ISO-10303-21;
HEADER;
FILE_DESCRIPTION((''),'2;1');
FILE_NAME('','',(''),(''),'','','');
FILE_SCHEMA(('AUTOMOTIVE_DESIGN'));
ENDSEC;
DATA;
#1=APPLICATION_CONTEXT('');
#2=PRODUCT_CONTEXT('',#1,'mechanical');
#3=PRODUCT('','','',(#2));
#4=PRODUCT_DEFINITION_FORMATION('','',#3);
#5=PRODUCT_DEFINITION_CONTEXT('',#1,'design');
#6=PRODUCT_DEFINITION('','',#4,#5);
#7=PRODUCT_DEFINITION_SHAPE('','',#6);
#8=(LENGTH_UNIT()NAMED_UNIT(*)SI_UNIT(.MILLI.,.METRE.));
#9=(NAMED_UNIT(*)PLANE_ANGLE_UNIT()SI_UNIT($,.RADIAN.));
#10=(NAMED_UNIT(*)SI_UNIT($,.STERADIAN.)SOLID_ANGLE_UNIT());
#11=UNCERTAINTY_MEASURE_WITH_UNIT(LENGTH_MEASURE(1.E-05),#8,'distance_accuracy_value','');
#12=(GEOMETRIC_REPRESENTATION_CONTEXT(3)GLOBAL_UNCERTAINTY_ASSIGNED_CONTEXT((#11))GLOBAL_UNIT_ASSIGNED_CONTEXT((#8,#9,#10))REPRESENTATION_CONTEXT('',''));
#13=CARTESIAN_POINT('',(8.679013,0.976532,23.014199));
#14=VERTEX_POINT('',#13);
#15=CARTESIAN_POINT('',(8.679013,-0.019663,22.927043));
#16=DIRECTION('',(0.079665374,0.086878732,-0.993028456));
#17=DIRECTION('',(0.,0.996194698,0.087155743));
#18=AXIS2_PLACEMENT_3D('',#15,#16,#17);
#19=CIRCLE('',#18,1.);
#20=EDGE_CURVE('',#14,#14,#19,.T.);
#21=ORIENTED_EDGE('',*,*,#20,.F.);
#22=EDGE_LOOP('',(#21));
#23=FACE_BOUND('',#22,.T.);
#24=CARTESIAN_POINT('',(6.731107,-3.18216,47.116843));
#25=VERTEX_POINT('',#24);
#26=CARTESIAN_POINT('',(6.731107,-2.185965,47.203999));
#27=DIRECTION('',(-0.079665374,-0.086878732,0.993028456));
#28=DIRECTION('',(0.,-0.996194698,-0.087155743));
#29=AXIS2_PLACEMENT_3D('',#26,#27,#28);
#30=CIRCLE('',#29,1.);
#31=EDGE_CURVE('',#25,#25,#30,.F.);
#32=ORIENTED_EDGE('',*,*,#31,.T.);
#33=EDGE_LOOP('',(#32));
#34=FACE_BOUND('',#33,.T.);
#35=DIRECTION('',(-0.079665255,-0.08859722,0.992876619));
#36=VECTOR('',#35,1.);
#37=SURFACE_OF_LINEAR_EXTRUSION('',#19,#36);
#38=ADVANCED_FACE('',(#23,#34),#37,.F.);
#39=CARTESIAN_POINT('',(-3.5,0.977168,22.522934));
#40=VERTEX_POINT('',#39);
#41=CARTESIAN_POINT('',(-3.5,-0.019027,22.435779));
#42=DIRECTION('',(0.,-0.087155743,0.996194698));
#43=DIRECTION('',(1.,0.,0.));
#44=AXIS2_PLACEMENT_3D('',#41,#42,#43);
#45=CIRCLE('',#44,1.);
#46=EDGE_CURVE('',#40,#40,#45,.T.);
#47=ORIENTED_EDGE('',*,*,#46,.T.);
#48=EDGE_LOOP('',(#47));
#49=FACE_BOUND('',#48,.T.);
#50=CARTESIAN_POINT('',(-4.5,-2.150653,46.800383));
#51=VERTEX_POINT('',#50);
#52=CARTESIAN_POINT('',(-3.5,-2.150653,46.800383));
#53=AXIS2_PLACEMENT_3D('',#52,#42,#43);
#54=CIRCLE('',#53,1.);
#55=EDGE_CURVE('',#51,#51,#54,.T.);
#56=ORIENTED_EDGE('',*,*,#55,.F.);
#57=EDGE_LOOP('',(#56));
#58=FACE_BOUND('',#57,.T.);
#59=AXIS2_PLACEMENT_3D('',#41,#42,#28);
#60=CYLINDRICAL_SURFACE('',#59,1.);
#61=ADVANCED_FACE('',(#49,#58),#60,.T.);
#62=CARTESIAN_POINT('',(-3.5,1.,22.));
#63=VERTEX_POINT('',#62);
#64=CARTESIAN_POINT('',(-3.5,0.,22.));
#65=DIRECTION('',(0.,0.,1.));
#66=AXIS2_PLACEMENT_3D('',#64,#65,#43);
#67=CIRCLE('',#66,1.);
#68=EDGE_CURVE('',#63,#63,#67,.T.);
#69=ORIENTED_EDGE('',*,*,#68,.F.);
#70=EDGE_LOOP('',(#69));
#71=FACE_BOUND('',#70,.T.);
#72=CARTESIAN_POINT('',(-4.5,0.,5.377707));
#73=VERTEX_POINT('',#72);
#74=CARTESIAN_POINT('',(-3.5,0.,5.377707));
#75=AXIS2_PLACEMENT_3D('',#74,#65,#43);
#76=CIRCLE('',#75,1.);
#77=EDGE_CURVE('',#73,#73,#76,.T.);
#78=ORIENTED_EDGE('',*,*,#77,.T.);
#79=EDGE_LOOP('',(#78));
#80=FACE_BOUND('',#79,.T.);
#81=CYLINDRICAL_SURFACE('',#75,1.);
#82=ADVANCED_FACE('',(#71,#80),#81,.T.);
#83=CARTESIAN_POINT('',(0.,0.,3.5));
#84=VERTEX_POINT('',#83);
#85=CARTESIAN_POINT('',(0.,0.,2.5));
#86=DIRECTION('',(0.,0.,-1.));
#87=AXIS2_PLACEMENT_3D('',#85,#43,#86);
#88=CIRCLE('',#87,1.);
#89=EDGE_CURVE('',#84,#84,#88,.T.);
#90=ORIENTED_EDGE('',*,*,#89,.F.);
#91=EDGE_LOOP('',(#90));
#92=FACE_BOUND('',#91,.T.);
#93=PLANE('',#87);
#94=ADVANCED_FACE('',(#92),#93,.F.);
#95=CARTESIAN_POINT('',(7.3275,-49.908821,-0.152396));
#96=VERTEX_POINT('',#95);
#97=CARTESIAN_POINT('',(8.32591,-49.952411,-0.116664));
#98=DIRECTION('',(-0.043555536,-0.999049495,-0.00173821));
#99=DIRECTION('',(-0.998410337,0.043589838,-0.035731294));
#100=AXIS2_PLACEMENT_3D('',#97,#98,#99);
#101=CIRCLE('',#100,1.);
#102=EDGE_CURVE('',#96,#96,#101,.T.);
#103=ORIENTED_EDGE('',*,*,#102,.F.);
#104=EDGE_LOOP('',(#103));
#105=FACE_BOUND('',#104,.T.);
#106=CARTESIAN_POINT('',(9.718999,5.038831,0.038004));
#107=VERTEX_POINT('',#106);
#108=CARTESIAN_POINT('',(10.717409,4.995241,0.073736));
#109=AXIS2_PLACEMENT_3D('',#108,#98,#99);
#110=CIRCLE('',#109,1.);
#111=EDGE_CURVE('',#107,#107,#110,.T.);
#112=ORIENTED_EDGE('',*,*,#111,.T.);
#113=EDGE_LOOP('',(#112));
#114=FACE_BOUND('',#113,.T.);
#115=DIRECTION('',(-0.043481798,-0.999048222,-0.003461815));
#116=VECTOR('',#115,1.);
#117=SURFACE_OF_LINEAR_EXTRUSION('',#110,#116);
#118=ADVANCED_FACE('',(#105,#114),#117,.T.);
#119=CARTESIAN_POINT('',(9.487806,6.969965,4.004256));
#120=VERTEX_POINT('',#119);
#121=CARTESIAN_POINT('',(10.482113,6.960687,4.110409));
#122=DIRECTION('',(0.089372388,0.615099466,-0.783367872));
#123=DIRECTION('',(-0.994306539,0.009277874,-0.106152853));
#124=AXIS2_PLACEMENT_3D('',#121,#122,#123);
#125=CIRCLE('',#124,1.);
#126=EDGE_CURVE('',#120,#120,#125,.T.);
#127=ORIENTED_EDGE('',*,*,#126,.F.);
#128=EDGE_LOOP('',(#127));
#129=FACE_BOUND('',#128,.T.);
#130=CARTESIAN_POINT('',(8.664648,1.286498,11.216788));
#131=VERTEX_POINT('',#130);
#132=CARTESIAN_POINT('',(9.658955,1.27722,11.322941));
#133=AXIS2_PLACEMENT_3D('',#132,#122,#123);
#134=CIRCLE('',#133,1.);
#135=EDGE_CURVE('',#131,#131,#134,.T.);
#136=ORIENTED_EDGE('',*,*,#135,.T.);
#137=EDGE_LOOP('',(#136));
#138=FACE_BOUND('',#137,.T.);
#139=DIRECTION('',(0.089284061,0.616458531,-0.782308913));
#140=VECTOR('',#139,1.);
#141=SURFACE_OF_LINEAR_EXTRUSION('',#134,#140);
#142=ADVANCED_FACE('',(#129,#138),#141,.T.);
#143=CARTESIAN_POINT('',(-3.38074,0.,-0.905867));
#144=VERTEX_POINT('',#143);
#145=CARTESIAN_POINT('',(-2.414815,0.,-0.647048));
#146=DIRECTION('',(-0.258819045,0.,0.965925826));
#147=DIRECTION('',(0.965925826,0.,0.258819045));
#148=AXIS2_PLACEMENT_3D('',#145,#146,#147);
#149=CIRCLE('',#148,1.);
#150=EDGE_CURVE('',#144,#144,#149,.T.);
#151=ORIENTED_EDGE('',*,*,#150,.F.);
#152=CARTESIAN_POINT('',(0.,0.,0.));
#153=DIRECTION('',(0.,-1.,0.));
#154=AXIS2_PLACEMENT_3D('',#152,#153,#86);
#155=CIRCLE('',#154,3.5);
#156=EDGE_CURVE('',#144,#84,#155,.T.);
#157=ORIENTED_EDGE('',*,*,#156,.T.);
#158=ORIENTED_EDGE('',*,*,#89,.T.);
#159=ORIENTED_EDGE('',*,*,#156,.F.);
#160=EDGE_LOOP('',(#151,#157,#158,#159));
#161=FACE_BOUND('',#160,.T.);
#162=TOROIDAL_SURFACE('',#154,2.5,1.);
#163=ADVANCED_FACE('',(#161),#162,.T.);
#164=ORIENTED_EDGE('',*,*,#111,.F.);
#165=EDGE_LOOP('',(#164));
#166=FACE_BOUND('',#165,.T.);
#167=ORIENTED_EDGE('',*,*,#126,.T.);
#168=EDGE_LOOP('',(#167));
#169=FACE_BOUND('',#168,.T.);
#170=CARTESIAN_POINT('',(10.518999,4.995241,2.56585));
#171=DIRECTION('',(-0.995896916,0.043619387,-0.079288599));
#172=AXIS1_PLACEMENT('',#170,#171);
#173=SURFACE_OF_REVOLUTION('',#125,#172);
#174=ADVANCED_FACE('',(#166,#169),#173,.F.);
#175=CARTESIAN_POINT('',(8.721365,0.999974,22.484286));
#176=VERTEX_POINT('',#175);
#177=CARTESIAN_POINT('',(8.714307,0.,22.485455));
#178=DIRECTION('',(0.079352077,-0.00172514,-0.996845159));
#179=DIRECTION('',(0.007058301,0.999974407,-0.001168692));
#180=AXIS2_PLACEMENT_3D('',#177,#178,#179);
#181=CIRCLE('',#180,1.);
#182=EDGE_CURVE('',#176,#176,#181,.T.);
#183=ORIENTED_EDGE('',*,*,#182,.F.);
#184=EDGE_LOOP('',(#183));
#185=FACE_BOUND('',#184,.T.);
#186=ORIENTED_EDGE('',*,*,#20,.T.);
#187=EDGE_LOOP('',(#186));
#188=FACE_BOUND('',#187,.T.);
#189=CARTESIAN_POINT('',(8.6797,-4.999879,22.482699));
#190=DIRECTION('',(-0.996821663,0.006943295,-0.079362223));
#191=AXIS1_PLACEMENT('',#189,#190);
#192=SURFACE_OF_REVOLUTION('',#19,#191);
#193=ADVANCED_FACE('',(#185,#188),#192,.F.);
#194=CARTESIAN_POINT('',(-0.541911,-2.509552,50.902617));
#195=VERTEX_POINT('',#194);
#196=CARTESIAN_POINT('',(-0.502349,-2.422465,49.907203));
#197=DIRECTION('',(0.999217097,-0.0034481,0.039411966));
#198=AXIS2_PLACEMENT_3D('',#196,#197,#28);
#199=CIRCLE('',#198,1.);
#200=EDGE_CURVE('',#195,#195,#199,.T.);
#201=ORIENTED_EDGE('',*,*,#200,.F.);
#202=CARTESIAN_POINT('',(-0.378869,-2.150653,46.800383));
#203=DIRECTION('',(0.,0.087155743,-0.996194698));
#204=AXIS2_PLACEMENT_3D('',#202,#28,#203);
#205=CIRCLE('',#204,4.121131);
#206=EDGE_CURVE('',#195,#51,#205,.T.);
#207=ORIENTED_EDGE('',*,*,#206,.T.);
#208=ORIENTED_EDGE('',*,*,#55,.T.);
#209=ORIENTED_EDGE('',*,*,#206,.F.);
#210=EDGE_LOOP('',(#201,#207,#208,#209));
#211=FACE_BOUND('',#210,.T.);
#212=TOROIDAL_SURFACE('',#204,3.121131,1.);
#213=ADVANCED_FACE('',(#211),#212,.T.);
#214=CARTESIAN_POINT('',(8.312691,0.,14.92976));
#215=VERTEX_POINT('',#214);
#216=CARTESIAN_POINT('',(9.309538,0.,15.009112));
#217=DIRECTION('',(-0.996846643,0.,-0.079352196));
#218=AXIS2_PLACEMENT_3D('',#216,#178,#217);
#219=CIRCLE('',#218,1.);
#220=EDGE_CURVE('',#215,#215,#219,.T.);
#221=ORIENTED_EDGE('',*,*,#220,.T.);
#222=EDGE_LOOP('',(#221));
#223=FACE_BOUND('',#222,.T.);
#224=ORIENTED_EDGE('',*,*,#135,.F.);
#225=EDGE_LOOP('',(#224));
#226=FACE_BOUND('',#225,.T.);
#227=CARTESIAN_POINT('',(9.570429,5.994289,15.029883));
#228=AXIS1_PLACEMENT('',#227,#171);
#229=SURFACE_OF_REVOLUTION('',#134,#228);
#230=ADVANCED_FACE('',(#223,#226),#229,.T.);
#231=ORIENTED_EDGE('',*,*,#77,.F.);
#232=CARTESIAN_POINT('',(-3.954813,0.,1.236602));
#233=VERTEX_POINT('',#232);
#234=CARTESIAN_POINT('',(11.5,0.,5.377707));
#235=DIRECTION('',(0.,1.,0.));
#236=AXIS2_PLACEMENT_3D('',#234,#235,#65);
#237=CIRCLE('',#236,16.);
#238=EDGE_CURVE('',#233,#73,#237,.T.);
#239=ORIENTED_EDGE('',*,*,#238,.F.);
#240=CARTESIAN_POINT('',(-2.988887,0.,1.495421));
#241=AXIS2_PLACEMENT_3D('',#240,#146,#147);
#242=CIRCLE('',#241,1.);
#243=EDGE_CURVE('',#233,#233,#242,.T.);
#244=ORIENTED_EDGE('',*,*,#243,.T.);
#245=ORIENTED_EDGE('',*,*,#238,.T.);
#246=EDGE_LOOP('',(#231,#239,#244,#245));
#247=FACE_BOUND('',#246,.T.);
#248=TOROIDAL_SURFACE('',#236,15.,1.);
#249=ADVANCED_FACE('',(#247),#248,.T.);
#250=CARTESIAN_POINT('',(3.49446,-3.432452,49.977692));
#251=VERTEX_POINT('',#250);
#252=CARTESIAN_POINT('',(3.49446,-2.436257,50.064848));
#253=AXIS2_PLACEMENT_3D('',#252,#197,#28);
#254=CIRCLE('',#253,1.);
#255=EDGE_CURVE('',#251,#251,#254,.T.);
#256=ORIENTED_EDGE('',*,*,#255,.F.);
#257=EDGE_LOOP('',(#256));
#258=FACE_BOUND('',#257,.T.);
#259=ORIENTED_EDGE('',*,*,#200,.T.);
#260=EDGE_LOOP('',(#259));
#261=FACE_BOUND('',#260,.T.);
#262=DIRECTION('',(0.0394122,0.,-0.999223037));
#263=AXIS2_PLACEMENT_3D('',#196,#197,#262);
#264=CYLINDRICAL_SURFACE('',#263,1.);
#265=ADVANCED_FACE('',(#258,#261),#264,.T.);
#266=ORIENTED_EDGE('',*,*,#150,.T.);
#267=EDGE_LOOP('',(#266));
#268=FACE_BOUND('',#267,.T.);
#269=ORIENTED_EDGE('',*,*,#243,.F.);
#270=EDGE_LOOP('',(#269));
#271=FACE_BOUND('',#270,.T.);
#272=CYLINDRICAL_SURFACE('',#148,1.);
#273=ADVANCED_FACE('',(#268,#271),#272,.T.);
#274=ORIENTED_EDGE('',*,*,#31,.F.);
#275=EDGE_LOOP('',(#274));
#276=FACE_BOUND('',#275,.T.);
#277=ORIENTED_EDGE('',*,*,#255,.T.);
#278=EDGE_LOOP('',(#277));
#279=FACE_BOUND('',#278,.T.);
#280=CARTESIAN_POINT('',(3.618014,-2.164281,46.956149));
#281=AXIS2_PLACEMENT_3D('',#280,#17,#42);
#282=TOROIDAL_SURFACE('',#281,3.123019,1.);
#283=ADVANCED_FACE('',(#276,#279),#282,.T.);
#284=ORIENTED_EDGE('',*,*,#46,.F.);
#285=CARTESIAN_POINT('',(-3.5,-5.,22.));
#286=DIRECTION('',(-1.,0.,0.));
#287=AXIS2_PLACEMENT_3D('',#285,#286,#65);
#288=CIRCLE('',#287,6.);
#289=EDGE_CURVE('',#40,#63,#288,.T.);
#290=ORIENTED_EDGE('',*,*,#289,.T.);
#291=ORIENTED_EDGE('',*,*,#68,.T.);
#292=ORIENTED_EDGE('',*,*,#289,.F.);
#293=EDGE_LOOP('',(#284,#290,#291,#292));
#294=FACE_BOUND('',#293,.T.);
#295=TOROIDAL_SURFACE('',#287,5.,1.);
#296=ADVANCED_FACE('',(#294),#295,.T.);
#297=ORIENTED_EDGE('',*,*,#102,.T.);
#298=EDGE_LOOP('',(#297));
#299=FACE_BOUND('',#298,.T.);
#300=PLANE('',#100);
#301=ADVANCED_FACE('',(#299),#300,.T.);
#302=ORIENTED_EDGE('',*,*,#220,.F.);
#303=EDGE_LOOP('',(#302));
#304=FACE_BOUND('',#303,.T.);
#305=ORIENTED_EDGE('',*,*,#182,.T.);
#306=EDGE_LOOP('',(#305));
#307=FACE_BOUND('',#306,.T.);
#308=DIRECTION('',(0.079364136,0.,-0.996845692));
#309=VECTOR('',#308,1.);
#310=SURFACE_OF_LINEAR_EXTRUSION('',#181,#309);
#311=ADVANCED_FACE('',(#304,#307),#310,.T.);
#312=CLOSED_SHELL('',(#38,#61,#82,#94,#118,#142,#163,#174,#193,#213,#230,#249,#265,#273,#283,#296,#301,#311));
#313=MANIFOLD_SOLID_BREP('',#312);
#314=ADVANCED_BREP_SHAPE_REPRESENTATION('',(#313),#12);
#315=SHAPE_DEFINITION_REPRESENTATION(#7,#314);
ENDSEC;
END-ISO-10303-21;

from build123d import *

# Parameters (mm, degrees)
SKETCH4_R  = 1
SKETCH12_R = 1
SKETCH15_R = 1
SKETCH17_R = 1
SKETCH18_R = 1


with BuildPart() as part:
    # Sweep1: sweep along a path in Sketch1
    with BuildLine(Plane(origin=(0, 0, 0), x_dir=(1, 0, 0), z_dir=(0, 1, 0))) as sweep1_path:
        Line((-3.5, -22), (-3.5, -5.377707027))
        ThreePointArc((-3.5, -5.377707027), (-3.371672921, -3.419814144), (-2.988887394, -1.495421351))
        Line((-2.988887394, -1.495421351), (-2.414814566, 0.647047613))
        ThreePointArc((-2.414814566, 0.647047613), (1.983383351, 1.521903573), (0, -2.5))
    # Sketch4 → Sweep1 (sweep)
    with BuildSketch(Plane(origin=(0, 0, 0), x_dir=(0, 0, -1), z_dir=(1, 0, 0))):
        with Locations((-2.5, 0)):
            Circle(SKETCH4_R)
    sweep(path=sweep1_path.line)

    # Sweep3: sweep along a path in Sketch13
    with BuildLine(Plane(origin=(-3.5, 0, 0), x_dir=(0, 0, -1), z_dir=(1, 0, 0))) as sweep3_path:
        Line((-46.800382717, -2.150653151), (-22.435778714, -0.01902651))
        ThreePointArc((-22.435778714, -0.01902651), (-22.218096937, -0.004758892), (-22, 0))
    # Sketch12 → Sweep3 (sweep)
    with BuildSketch(Plane.XY.offset(22)):
        with Locations((-3.5, 0)):
            Circle(SKETCH12_R)
    sweep(path=sweep3_path.line)

    # Sweep4: sweep along a path in Sketch14
    with BuildLine(Plane(origin=(-3.5, -2.150653151, 46.800382717), x_dir=(1, 0, 0), z_dir=(0, -0.996194698, -0.087155743))) as sweep4_path:
        ThreePointArc((0, 0), (0.870924887, 2.162875704), (2.997651292, 3.118687539))
        Line((2.997651292, 3.118687539), (6.994459827, 3.276935222))
        ThreePointArc((6.994459827, 3.276935222), (9.190720622, 2.492412633), (10.231107241, 0.405157771))
    # Sketch15 → Sweep4 (sweep)
    with BuildSketch(Plane(origin=(0, -4.079737213, 46.631609731), x_dir=(1, 0, 0), z_dir=(0, -0.087155743, 0.996194698))):
        with Locations((-3.5, 1.93645285)):
            Circle(SKETCH15_R)
    sweep(path=sweep4_path.line)

    # Sweep5: sweep along a path in Sketch16
    with BuildLine(Plane(origin=(7.603209026, -1.23489811, 36.333254701), x_dir=(0.079350865, -0.001896768, -0.996844944), z_dir=(0.996821663, -0.006943295, 0.079362223))) as sweep5_path:
        Line((-10.903844313, -0.971774103), (13.4469751, 1.240773237))
        ThreePointArc((13.4469751, 1.240773237), (13.668227032, 1.255937979), (13.889933785, 1.261276763))
        Line((13.889933785, 1.261276763), (21.389920293, 1.275502866))
    # Sketch17 → Sweep5 (sweep)
    with BuildSketch(Plane(origin=(-3.706717657, -4.042345066, 46.204215535), x_dir=(-0.996802687, 0.013089991, -0.078822935), z_dir=(0.079665374, 0.086878732, -0.993028456))):
        with Locations((-10.458957754, 2.001025934)):
            Circle(SKETCH17_R)
    sweep(path=sweep5_path.line)

    # Sweep2: sweep along a path in Sketch3
    with BuildLine(Plane(origin=(9.16491107, -2.974077254, 15.189541911), x_dir=(0.075754294, -0.077452472, -0.994113878), z_dir=(-0.995896916, 0.043619387, -0.079288599))) as sweep2_path:
        Line((18.791142113, 45.703836776), (14.527197797, -9.130630294))
        ThreePointArc((14.527197797, -9.130630294), (12.951106975, -11.262806607), (10.344231445, -10.778618545))
        Line((10.344231445, -10.778618545), (3.551994264, -4.544397336))
        ThreePointArc((3.551994264, -4.544397336), (1.886999302, -3.462230606), (-0.040025557, -2.982784838))
    # Sketch18 → Sweep2 (sweep)
    with BuildSketch(Plane(origin=(-1.128626929, 0.024536721, 14.17815798), x_dir=(-0.996843953, -0.002464328, -0.079347717), z_dir=(0.079352077, -0.00172514, -0.996845159))):
        with Locations((-10.471095378, -0.050341166)):
            Circle(SKETCH18_R)
    sweep(path=sweep2_path.line)


solid = part.part
